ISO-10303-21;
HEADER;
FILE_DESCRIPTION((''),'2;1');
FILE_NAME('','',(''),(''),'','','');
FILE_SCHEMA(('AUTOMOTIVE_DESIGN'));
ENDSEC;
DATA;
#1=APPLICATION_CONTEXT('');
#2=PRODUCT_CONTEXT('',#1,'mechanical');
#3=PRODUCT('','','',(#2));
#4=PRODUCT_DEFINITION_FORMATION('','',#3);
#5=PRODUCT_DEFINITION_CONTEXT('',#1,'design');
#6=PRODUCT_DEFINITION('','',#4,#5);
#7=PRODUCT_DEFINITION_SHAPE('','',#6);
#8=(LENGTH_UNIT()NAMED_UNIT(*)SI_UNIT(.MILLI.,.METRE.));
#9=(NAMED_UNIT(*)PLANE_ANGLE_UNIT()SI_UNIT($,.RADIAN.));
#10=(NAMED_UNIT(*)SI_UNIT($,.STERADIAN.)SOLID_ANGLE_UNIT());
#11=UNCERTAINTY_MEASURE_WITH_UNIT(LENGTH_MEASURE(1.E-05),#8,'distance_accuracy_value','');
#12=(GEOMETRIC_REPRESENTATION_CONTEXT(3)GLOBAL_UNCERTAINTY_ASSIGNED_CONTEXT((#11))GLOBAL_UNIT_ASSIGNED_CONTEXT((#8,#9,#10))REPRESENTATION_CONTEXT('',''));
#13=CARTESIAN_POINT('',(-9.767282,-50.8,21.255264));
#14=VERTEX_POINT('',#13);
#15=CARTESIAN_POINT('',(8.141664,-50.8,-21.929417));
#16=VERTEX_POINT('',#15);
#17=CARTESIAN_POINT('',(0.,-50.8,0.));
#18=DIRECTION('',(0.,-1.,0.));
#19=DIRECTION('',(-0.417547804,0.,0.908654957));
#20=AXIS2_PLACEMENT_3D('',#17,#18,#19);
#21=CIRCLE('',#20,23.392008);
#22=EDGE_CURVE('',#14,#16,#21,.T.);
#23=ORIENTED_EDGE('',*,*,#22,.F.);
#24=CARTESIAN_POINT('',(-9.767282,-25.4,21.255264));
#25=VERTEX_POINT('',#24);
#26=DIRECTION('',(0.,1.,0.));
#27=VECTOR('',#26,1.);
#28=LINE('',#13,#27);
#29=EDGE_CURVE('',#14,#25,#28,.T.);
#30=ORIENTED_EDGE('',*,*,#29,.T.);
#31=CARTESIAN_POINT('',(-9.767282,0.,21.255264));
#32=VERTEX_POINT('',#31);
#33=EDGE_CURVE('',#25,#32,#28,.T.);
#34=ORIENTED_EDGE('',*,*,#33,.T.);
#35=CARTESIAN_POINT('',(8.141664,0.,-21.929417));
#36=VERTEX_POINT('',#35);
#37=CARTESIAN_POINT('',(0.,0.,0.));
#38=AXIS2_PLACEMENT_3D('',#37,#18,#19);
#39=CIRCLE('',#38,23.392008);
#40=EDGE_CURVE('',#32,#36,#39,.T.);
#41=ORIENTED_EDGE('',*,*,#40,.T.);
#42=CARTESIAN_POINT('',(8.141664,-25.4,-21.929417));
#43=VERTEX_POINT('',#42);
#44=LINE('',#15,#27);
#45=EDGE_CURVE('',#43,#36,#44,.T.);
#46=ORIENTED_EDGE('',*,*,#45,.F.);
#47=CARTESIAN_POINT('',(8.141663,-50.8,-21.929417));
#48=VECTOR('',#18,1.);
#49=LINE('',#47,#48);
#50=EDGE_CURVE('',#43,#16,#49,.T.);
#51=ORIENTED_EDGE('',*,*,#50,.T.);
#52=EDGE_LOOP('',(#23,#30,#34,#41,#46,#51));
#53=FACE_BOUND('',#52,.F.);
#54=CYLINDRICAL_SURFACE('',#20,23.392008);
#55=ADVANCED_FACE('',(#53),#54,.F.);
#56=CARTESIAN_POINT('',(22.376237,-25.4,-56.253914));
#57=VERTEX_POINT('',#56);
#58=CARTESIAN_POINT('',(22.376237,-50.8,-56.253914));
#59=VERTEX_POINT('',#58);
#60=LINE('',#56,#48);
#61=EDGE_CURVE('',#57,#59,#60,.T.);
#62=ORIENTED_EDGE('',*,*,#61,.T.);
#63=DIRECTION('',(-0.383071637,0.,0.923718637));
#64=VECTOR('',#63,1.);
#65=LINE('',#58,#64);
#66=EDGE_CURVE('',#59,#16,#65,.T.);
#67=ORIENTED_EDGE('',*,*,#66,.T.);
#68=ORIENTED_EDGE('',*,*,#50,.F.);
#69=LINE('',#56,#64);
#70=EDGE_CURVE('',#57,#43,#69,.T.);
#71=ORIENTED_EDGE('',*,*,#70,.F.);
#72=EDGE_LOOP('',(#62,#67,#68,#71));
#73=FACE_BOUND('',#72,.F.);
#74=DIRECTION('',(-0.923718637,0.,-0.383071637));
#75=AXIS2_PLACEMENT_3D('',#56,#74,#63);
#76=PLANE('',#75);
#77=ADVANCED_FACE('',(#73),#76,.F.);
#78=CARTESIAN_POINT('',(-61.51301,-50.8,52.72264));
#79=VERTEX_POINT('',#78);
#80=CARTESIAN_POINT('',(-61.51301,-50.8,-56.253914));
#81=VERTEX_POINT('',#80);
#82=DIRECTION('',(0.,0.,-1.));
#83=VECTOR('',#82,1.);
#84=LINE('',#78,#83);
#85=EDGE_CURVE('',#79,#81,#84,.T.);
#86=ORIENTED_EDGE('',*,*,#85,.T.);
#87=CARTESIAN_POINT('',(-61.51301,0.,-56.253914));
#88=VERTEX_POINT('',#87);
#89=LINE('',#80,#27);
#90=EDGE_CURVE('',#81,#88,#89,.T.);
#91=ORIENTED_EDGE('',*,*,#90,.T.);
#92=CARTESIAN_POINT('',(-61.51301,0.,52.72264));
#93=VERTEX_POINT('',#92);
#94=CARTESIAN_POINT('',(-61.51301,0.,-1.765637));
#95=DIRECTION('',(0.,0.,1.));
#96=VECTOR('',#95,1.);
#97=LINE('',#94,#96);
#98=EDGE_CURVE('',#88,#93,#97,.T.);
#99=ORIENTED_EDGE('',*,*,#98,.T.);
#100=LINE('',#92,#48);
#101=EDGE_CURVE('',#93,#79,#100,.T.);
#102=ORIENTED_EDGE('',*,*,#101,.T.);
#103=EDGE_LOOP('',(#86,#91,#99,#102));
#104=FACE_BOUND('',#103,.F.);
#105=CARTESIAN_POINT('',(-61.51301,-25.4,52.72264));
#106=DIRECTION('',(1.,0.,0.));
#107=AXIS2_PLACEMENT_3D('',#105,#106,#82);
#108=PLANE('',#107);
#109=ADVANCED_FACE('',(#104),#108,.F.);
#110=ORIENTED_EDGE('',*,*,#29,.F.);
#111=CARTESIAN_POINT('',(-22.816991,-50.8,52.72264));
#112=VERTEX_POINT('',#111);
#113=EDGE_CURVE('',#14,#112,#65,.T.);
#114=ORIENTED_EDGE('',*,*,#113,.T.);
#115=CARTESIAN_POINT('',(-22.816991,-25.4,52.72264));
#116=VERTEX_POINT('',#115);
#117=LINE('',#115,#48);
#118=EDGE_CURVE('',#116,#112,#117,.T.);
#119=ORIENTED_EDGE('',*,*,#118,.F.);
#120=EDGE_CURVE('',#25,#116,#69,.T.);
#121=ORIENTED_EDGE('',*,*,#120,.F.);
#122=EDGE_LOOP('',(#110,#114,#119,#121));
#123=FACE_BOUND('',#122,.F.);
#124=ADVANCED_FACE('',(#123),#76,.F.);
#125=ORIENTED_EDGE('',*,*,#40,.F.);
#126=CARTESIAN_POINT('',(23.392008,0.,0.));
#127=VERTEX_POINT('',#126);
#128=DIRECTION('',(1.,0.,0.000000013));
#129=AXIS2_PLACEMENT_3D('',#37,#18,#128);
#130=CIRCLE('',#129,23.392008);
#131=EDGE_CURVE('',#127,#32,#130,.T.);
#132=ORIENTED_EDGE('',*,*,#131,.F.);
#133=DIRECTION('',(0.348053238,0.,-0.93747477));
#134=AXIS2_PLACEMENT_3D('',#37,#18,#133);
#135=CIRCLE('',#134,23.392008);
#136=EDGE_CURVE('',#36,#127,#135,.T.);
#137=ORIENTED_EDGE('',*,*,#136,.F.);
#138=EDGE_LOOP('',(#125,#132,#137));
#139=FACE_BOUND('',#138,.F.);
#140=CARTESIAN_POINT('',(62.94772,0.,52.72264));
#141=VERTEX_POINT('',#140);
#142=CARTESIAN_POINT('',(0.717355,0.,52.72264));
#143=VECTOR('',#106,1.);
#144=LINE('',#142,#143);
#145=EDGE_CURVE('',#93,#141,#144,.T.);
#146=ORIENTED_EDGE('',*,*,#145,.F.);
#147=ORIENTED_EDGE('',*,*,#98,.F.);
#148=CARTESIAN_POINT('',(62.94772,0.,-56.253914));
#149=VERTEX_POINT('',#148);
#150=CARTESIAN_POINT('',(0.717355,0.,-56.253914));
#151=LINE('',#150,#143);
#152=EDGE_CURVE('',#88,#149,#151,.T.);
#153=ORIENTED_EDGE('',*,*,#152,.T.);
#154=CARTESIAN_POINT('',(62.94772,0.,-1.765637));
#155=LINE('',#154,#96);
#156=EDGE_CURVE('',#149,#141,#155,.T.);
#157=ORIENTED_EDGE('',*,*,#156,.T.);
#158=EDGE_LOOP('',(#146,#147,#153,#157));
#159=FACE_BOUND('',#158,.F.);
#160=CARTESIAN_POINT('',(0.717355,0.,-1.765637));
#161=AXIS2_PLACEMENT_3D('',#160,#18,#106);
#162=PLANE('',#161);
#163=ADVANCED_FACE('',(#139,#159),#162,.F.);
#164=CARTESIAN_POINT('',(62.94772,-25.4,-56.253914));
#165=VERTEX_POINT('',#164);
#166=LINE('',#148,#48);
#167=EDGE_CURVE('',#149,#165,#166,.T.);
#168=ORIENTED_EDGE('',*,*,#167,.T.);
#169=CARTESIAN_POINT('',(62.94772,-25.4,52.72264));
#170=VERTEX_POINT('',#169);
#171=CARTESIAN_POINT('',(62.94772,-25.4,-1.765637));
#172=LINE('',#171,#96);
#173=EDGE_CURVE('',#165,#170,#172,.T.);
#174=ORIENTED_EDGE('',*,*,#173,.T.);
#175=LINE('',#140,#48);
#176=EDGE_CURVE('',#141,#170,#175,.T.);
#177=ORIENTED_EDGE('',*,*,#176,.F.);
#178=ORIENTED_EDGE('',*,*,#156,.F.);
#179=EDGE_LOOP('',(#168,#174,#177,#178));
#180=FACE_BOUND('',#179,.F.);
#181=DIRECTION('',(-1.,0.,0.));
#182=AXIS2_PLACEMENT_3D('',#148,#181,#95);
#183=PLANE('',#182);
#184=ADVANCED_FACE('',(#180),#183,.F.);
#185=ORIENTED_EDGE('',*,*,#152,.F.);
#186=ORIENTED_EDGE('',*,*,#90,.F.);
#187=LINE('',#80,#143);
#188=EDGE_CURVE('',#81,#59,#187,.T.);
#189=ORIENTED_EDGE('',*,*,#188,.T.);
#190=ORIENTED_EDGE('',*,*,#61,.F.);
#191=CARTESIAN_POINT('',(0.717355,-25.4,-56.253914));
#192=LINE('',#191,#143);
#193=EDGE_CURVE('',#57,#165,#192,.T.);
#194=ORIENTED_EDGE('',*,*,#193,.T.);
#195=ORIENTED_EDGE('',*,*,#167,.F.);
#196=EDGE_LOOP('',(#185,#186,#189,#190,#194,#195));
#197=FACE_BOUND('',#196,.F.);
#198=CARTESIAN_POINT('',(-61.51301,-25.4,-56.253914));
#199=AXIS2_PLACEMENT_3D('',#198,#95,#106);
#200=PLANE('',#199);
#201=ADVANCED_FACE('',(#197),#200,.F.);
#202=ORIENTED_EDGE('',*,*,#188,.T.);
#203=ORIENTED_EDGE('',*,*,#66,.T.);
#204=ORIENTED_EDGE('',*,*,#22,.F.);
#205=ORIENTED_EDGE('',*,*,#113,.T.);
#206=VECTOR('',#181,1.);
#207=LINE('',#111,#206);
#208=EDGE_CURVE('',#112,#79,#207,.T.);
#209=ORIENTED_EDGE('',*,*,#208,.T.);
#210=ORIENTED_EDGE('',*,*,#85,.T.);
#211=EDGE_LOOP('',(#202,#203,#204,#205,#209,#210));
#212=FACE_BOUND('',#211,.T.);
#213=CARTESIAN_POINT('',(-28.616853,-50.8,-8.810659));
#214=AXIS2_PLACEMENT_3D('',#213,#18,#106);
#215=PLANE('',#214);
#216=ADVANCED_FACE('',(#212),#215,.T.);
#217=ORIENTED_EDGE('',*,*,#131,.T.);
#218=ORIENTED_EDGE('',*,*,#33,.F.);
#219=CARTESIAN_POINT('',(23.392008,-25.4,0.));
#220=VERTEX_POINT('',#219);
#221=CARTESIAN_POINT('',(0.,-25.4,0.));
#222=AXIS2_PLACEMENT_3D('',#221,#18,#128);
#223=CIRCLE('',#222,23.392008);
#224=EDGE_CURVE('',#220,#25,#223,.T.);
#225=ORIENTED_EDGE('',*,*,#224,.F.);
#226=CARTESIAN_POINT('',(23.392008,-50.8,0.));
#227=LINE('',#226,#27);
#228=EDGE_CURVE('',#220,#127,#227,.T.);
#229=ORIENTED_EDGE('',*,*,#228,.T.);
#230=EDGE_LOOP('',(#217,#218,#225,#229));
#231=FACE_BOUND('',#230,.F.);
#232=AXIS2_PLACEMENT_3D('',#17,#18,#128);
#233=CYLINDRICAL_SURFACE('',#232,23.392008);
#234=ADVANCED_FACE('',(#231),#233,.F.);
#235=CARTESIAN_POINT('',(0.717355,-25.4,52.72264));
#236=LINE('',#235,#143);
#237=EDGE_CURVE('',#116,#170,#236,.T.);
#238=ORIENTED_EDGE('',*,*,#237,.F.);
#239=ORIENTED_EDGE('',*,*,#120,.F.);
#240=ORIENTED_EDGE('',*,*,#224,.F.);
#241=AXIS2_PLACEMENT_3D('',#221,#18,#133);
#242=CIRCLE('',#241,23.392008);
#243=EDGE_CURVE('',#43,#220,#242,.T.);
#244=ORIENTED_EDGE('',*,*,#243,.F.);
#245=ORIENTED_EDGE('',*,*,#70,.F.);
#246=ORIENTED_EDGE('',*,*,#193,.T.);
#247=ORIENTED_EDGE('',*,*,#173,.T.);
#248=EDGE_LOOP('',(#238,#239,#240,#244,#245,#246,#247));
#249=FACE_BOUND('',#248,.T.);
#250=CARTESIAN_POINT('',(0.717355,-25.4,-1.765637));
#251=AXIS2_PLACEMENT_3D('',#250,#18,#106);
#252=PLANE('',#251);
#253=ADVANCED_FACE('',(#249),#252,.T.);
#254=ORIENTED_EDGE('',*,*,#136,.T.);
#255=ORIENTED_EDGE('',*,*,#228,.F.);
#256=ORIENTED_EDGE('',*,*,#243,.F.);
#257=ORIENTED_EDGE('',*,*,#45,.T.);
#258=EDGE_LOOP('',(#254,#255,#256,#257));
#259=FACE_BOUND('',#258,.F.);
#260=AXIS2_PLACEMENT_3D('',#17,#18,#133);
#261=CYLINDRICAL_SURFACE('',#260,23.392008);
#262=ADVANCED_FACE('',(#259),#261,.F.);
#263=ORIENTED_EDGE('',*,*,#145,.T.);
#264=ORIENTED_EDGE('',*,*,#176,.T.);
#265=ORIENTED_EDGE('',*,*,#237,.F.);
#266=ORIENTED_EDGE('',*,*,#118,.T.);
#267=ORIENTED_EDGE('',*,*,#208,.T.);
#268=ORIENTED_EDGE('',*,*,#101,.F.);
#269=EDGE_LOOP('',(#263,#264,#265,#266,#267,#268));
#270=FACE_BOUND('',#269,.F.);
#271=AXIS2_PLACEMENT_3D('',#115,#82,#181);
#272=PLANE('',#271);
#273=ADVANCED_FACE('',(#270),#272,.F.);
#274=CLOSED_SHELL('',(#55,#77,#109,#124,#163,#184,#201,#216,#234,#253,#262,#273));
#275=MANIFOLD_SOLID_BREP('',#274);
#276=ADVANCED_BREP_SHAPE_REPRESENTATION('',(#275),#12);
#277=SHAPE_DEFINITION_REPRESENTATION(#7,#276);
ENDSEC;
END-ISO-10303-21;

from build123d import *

# Parameters (mm, degrees)
F0_W     = 124.46073
F0_H     = 108.976554
F1_DEPTH = 25.4
F3_DEPTH = 25.4
F5_DEPTH = 50.801


with BuildPart() as f1:
    # F0 (on Front) → F1 (new body)
    with BuildSketch(Plane.XZ):
        with Locations((0.717355, -1.765637)):
            Rectangle(F0_W, F0_H)
    extrude(amount=F1_DEPTH)

    # F2 (on face) → F3 (join)
    with BuildSketch(Plane.XZ.offset(25.4)):
        Polygon((22.376237, -56.253914), (-22.816991, 52.72264), (-61.51301, 52.72264), (-61.51301, -56.253914), align=None)
    extrude(amount=F3_DEPTH)

    # F4 (on face) → F5 (cut, through all)
    with BuildSketch(Plane.XZ.offset(50.8)):
        with BuildLine():
            ThreePointArc((8.141664, -21.929417), (19.204633, -13.355452), (23.392008, 0))
            ThreePointArc((23.392008, 0), (12.623583, 19.69343), (-9.767282, 21.255264))
            Line((-9.767282, 21.255264), (8.141664, -21.929417))
        make_face()
        with BuildLine():
            Line((8.141664, -21.929417), (-9.767282, 21.255264))
            ThreePointArc((-9.767282, 21.255264), (-21.607634, -8.960815), (8.141664, -21.929417))
        make_face()
    extrude(amount=-F5_DEPTH, mode=Mode.SUBTRACT)


solid = f1.part
